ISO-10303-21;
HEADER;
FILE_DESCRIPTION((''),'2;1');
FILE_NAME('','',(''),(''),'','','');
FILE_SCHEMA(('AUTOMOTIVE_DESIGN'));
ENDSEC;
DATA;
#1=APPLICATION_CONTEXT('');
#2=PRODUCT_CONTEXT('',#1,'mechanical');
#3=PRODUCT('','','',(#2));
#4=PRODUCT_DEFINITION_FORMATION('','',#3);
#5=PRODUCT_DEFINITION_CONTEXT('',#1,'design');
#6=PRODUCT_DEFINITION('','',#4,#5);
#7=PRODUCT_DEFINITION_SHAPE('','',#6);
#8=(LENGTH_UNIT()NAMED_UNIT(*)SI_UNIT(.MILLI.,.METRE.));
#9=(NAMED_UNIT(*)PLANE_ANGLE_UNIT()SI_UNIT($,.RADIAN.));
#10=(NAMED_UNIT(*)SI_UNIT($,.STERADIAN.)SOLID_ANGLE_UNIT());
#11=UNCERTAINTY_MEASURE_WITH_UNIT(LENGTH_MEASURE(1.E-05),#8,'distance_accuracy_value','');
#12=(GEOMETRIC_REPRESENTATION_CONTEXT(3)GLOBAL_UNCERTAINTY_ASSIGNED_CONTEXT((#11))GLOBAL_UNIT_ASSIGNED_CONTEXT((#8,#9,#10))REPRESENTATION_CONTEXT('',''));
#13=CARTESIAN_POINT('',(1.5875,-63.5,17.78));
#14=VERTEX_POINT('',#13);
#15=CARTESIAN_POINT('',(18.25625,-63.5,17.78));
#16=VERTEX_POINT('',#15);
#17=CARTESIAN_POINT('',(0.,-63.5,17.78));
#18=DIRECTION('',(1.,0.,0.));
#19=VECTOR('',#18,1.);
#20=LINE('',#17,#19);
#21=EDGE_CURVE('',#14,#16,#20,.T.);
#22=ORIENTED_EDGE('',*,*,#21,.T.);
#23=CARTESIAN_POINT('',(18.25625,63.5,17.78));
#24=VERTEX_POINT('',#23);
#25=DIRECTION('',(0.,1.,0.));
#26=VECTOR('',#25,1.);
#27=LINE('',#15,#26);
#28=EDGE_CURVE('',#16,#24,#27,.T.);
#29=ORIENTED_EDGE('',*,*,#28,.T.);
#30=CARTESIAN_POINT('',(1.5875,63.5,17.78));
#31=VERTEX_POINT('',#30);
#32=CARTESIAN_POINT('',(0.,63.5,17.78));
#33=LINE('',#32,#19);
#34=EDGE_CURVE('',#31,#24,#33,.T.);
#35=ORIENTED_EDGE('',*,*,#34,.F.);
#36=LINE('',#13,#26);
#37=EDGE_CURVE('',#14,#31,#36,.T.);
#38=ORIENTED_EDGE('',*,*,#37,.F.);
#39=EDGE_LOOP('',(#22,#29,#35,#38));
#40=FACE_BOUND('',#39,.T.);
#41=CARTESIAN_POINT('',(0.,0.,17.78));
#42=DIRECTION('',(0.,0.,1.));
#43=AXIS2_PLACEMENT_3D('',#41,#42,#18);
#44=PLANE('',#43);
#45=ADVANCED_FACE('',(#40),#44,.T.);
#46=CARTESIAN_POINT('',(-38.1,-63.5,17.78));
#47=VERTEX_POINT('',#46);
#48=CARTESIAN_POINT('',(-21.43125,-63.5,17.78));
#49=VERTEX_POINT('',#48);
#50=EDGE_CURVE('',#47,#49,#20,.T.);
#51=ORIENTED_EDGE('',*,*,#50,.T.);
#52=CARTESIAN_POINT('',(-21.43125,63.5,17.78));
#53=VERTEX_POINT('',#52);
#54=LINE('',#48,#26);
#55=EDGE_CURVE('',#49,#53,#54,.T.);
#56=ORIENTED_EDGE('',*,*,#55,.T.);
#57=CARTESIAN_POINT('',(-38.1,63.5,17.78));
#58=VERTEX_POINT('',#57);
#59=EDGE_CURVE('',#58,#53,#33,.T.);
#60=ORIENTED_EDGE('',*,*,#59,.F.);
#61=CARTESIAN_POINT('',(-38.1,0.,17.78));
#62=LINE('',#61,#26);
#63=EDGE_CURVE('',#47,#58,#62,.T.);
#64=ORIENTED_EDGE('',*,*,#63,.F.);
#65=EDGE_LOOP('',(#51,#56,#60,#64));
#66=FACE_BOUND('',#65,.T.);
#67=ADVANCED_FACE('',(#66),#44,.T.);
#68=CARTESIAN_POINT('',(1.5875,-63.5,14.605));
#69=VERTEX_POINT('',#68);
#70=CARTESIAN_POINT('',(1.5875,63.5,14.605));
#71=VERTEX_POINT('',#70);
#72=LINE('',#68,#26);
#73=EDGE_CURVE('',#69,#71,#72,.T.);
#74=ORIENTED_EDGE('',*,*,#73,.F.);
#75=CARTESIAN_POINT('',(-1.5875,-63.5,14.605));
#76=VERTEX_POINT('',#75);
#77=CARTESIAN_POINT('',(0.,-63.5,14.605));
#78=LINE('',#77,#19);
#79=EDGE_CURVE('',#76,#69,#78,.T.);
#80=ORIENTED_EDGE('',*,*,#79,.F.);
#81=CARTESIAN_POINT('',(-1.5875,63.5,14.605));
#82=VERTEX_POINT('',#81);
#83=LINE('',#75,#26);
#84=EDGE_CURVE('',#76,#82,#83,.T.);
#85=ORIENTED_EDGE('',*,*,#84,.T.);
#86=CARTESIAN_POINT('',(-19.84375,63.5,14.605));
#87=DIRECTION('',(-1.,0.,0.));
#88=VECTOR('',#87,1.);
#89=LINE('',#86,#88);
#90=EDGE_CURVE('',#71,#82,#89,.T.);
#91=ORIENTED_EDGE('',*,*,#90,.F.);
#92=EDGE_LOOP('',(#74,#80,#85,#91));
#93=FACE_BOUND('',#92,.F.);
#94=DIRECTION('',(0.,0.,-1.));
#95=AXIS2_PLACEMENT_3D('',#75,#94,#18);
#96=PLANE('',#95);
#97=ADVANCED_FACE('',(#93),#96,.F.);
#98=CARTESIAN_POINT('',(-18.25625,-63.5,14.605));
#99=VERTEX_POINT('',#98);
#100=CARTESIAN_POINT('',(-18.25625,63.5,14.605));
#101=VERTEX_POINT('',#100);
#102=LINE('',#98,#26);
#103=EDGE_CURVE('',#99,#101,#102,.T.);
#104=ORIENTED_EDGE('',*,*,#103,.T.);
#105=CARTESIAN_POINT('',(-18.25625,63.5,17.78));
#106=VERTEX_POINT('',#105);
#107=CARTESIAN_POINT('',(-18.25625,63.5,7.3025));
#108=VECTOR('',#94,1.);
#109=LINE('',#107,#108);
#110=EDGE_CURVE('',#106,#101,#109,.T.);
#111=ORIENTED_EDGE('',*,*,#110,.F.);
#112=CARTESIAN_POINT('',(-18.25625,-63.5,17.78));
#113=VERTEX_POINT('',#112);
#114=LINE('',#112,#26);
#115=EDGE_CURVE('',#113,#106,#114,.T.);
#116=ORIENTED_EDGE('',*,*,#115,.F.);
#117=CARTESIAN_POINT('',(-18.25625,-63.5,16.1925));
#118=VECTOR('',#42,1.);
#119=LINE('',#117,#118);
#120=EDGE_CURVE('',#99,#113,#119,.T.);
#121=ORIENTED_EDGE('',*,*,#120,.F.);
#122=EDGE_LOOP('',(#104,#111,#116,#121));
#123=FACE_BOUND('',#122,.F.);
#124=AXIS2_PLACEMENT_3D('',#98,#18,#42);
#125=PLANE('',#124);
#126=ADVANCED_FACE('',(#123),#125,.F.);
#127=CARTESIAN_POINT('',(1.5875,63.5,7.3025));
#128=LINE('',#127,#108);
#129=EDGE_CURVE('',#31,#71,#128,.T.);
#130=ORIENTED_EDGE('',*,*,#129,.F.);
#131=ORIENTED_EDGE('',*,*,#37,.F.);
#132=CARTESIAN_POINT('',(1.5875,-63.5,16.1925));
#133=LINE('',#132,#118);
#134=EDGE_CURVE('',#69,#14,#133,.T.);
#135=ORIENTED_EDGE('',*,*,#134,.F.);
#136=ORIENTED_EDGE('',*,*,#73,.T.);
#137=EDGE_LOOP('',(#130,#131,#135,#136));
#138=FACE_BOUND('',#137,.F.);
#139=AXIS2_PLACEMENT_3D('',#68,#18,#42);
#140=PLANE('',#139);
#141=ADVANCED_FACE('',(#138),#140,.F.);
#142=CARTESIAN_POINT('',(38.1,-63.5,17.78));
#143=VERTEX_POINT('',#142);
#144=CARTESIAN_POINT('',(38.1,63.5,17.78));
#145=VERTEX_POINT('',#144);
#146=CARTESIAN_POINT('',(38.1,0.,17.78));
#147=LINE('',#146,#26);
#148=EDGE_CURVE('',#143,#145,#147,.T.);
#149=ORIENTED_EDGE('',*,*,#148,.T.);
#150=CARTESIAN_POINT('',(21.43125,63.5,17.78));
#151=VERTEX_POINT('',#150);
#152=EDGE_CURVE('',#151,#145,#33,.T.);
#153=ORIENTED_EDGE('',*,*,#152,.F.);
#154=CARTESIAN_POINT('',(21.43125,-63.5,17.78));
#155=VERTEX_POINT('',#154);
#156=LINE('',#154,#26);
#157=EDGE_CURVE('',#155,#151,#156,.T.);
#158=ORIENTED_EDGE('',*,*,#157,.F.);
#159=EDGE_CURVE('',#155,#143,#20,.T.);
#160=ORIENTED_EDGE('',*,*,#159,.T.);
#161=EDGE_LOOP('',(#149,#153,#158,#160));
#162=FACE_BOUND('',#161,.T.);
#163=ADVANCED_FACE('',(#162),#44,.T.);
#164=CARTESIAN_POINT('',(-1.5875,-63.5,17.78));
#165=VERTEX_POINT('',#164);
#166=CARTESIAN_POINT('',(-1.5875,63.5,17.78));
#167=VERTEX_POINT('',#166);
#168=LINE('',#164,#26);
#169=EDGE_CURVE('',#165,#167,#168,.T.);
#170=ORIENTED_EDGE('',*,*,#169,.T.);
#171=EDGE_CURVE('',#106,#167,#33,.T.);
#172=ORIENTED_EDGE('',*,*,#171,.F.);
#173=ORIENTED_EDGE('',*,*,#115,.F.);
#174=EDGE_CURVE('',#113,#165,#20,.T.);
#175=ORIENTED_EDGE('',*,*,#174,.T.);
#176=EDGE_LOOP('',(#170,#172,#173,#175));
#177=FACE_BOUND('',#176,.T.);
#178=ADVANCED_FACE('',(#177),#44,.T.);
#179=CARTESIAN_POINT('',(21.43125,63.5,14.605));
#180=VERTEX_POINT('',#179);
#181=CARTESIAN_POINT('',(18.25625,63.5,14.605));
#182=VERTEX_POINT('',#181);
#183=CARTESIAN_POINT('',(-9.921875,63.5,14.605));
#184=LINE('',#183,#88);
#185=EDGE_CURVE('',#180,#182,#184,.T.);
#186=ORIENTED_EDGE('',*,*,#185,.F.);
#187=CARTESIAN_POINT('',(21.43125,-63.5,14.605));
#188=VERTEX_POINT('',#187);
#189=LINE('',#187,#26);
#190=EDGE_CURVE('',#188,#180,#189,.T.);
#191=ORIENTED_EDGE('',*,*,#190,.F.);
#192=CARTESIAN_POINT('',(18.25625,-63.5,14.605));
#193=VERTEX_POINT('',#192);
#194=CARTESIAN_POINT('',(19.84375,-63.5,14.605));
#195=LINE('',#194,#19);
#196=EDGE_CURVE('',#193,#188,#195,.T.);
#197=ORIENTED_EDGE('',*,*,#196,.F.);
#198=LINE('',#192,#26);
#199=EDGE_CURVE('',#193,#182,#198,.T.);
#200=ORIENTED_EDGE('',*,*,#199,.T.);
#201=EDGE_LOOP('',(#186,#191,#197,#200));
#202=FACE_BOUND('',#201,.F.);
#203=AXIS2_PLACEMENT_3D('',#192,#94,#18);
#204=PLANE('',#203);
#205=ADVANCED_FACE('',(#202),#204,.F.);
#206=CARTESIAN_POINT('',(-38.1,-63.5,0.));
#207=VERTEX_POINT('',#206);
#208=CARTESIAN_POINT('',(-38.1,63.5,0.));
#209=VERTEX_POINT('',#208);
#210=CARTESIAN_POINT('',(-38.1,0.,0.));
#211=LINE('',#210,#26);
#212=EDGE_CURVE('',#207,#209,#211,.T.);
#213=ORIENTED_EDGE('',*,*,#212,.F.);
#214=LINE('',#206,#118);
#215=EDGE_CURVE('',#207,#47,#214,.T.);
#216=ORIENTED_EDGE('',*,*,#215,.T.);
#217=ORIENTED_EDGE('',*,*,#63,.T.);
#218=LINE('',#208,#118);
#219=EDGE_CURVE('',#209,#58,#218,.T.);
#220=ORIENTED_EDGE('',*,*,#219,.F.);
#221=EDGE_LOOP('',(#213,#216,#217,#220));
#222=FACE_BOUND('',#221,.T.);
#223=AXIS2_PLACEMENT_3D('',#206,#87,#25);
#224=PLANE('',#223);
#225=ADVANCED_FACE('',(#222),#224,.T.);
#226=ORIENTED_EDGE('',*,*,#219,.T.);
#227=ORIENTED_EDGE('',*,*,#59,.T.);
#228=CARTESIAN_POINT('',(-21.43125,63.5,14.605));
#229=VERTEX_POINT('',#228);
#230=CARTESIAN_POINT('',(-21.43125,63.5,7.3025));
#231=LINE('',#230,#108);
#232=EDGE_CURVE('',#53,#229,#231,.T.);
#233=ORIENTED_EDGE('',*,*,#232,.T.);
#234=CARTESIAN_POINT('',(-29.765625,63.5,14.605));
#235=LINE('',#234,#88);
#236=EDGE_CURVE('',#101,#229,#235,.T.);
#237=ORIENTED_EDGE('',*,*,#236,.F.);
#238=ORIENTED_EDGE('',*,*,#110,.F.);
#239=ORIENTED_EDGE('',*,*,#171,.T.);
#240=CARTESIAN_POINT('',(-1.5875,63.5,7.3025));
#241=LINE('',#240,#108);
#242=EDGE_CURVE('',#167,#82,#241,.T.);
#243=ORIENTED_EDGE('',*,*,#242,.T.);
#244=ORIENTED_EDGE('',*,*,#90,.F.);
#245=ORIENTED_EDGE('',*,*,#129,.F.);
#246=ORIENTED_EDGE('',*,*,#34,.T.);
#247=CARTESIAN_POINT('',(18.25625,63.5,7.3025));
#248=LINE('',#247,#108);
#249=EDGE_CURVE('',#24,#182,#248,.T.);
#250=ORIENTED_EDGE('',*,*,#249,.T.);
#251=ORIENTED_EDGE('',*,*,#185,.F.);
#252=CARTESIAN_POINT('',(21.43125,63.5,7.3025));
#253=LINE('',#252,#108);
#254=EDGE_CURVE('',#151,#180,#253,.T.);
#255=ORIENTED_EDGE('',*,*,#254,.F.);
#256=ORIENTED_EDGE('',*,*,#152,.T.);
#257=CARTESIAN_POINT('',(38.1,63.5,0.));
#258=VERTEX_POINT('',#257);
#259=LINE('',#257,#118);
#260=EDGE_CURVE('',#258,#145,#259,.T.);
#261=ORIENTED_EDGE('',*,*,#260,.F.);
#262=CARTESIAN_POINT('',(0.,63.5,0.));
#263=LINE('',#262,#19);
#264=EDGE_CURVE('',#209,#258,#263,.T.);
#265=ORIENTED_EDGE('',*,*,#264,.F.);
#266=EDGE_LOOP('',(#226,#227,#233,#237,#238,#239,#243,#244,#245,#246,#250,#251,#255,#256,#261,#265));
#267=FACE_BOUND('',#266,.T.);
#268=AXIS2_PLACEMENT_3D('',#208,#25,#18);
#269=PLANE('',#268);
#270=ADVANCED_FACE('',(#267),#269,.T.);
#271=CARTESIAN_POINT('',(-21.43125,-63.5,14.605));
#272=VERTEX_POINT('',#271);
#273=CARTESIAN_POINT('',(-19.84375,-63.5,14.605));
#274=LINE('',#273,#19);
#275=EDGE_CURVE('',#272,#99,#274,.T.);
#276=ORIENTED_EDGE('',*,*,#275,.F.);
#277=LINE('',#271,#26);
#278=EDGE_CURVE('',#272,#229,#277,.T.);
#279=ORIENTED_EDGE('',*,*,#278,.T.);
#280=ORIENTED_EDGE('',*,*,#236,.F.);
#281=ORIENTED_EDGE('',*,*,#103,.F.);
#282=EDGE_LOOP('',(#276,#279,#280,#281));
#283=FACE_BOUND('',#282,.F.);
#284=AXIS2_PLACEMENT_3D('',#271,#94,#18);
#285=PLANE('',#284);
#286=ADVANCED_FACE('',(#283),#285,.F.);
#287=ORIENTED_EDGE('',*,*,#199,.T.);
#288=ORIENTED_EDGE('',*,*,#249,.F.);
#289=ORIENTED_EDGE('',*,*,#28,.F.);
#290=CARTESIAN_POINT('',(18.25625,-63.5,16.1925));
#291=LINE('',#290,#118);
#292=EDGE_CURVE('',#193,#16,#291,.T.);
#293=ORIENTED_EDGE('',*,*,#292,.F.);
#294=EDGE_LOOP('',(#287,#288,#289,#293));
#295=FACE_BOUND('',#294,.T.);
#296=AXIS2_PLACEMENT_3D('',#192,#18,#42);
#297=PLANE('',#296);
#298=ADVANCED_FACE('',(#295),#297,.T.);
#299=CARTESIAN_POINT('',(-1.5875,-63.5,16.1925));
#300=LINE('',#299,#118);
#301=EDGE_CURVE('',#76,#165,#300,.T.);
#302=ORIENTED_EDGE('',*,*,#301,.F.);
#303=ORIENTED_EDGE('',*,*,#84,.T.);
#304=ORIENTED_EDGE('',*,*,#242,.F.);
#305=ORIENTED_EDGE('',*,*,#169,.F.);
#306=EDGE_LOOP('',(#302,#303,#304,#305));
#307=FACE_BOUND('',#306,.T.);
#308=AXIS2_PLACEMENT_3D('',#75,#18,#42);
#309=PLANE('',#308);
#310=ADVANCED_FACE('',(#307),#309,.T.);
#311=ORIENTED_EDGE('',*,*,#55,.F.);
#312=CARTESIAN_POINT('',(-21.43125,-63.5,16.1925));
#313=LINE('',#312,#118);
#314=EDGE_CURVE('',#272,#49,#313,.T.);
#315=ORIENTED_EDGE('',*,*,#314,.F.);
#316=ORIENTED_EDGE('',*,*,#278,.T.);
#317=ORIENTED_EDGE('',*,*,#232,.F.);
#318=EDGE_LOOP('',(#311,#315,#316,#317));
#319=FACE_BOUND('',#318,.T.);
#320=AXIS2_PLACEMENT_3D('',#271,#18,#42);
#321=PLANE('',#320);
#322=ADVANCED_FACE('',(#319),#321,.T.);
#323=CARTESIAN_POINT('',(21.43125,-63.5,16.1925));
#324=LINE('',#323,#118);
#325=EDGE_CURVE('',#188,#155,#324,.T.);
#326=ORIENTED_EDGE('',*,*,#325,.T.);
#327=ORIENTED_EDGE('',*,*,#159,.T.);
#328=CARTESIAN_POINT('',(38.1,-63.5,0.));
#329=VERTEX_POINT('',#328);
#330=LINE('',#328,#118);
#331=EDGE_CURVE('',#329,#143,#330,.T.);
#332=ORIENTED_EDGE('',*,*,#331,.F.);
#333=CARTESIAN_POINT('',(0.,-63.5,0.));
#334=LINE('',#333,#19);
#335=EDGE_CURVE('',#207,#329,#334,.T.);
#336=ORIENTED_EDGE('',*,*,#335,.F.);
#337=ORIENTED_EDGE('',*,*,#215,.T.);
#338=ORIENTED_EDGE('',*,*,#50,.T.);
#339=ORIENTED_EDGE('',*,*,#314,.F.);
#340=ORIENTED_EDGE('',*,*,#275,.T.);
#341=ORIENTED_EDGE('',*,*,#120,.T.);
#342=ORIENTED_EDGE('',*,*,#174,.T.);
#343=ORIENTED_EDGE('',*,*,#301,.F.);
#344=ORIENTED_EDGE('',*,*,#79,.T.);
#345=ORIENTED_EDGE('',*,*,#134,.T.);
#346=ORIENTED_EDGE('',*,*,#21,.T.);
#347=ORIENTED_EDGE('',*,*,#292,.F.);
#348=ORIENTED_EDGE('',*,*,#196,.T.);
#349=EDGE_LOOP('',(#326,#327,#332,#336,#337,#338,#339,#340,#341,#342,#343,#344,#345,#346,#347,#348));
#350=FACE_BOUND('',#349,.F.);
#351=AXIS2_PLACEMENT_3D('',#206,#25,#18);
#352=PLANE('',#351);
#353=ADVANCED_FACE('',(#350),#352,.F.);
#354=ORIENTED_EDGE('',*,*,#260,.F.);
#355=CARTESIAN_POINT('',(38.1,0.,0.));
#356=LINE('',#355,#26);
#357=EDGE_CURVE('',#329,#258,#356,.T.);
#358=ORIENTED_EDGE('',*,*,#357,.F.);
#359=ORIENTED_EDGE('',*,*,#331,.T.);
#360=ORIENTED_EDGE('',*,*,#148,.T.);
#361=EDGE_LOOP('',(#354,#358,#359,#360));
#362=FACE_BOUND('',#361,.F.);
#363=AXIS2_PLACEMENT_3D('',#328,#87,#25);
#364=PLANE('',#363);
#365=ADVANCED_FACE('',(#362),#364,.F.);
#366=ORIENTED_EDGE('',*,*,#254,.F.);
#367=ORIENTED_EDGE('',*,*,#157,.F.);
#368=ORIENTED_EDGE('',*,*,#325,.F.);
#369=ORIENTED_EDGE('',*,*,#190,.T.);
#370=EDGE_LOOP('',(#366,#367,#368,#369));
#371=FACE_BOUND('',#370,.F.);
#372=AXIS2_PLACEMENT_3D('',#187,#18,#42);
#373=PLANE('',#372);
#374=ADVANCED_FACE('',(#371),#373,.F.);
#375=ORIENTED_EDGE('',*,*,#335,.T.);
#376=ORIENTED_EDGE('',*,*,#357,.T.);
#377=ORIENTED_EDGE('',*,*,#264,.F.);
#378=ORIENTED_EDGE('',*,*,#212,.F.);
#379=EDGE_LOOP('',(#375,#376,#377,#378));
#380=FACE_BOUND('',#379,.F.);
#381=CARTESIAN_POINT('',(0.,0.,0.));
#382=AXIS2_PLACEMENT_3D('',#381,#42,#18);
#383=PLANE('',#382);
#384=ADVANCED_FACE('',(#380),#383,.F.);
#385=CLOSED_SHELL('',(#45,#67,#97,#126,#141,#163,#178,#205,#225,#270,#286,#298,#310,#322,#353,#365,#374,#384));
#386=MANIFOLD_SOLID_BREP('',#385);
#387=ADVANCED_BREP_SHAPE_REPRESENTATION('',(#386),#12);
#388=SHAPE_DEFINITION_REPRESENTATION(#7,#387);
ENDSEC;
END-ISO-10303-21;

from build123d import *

# Parameters (mm, degrees)
F0_W     = 76.2
F0_H     = 127
F1_DEPTH = 17.78
F2_W     = 3.175
F2_H     = 3.175
F3_DEPTH = 127.001


with BuildPart() as f1:
    # F0 (on Top) → F1 (new body)
    with BuildSketch(Plane.XY):
        Rectangle(F0_W, F0_H)
    extrude(amount=F1_DEPTH)

    # F2 (on face) → F3 (cut, through all)
    with BuildSketch(Plane.XZ.offset(63.5)):
        with Locations((0, 16.1925)):
            Rectangle(F2_W, F2_H)
        with Locations((19.84375, 16.1925)):
            Rectangle(F2_W, F2_H)
        with Locations((-19.84375, 16.1925)):
            Rectangle(F2_W, F2_H)
    extrude(amount=-F3_DEPTH, mode=Mode.SUBTRACT)


solid = f1.part
